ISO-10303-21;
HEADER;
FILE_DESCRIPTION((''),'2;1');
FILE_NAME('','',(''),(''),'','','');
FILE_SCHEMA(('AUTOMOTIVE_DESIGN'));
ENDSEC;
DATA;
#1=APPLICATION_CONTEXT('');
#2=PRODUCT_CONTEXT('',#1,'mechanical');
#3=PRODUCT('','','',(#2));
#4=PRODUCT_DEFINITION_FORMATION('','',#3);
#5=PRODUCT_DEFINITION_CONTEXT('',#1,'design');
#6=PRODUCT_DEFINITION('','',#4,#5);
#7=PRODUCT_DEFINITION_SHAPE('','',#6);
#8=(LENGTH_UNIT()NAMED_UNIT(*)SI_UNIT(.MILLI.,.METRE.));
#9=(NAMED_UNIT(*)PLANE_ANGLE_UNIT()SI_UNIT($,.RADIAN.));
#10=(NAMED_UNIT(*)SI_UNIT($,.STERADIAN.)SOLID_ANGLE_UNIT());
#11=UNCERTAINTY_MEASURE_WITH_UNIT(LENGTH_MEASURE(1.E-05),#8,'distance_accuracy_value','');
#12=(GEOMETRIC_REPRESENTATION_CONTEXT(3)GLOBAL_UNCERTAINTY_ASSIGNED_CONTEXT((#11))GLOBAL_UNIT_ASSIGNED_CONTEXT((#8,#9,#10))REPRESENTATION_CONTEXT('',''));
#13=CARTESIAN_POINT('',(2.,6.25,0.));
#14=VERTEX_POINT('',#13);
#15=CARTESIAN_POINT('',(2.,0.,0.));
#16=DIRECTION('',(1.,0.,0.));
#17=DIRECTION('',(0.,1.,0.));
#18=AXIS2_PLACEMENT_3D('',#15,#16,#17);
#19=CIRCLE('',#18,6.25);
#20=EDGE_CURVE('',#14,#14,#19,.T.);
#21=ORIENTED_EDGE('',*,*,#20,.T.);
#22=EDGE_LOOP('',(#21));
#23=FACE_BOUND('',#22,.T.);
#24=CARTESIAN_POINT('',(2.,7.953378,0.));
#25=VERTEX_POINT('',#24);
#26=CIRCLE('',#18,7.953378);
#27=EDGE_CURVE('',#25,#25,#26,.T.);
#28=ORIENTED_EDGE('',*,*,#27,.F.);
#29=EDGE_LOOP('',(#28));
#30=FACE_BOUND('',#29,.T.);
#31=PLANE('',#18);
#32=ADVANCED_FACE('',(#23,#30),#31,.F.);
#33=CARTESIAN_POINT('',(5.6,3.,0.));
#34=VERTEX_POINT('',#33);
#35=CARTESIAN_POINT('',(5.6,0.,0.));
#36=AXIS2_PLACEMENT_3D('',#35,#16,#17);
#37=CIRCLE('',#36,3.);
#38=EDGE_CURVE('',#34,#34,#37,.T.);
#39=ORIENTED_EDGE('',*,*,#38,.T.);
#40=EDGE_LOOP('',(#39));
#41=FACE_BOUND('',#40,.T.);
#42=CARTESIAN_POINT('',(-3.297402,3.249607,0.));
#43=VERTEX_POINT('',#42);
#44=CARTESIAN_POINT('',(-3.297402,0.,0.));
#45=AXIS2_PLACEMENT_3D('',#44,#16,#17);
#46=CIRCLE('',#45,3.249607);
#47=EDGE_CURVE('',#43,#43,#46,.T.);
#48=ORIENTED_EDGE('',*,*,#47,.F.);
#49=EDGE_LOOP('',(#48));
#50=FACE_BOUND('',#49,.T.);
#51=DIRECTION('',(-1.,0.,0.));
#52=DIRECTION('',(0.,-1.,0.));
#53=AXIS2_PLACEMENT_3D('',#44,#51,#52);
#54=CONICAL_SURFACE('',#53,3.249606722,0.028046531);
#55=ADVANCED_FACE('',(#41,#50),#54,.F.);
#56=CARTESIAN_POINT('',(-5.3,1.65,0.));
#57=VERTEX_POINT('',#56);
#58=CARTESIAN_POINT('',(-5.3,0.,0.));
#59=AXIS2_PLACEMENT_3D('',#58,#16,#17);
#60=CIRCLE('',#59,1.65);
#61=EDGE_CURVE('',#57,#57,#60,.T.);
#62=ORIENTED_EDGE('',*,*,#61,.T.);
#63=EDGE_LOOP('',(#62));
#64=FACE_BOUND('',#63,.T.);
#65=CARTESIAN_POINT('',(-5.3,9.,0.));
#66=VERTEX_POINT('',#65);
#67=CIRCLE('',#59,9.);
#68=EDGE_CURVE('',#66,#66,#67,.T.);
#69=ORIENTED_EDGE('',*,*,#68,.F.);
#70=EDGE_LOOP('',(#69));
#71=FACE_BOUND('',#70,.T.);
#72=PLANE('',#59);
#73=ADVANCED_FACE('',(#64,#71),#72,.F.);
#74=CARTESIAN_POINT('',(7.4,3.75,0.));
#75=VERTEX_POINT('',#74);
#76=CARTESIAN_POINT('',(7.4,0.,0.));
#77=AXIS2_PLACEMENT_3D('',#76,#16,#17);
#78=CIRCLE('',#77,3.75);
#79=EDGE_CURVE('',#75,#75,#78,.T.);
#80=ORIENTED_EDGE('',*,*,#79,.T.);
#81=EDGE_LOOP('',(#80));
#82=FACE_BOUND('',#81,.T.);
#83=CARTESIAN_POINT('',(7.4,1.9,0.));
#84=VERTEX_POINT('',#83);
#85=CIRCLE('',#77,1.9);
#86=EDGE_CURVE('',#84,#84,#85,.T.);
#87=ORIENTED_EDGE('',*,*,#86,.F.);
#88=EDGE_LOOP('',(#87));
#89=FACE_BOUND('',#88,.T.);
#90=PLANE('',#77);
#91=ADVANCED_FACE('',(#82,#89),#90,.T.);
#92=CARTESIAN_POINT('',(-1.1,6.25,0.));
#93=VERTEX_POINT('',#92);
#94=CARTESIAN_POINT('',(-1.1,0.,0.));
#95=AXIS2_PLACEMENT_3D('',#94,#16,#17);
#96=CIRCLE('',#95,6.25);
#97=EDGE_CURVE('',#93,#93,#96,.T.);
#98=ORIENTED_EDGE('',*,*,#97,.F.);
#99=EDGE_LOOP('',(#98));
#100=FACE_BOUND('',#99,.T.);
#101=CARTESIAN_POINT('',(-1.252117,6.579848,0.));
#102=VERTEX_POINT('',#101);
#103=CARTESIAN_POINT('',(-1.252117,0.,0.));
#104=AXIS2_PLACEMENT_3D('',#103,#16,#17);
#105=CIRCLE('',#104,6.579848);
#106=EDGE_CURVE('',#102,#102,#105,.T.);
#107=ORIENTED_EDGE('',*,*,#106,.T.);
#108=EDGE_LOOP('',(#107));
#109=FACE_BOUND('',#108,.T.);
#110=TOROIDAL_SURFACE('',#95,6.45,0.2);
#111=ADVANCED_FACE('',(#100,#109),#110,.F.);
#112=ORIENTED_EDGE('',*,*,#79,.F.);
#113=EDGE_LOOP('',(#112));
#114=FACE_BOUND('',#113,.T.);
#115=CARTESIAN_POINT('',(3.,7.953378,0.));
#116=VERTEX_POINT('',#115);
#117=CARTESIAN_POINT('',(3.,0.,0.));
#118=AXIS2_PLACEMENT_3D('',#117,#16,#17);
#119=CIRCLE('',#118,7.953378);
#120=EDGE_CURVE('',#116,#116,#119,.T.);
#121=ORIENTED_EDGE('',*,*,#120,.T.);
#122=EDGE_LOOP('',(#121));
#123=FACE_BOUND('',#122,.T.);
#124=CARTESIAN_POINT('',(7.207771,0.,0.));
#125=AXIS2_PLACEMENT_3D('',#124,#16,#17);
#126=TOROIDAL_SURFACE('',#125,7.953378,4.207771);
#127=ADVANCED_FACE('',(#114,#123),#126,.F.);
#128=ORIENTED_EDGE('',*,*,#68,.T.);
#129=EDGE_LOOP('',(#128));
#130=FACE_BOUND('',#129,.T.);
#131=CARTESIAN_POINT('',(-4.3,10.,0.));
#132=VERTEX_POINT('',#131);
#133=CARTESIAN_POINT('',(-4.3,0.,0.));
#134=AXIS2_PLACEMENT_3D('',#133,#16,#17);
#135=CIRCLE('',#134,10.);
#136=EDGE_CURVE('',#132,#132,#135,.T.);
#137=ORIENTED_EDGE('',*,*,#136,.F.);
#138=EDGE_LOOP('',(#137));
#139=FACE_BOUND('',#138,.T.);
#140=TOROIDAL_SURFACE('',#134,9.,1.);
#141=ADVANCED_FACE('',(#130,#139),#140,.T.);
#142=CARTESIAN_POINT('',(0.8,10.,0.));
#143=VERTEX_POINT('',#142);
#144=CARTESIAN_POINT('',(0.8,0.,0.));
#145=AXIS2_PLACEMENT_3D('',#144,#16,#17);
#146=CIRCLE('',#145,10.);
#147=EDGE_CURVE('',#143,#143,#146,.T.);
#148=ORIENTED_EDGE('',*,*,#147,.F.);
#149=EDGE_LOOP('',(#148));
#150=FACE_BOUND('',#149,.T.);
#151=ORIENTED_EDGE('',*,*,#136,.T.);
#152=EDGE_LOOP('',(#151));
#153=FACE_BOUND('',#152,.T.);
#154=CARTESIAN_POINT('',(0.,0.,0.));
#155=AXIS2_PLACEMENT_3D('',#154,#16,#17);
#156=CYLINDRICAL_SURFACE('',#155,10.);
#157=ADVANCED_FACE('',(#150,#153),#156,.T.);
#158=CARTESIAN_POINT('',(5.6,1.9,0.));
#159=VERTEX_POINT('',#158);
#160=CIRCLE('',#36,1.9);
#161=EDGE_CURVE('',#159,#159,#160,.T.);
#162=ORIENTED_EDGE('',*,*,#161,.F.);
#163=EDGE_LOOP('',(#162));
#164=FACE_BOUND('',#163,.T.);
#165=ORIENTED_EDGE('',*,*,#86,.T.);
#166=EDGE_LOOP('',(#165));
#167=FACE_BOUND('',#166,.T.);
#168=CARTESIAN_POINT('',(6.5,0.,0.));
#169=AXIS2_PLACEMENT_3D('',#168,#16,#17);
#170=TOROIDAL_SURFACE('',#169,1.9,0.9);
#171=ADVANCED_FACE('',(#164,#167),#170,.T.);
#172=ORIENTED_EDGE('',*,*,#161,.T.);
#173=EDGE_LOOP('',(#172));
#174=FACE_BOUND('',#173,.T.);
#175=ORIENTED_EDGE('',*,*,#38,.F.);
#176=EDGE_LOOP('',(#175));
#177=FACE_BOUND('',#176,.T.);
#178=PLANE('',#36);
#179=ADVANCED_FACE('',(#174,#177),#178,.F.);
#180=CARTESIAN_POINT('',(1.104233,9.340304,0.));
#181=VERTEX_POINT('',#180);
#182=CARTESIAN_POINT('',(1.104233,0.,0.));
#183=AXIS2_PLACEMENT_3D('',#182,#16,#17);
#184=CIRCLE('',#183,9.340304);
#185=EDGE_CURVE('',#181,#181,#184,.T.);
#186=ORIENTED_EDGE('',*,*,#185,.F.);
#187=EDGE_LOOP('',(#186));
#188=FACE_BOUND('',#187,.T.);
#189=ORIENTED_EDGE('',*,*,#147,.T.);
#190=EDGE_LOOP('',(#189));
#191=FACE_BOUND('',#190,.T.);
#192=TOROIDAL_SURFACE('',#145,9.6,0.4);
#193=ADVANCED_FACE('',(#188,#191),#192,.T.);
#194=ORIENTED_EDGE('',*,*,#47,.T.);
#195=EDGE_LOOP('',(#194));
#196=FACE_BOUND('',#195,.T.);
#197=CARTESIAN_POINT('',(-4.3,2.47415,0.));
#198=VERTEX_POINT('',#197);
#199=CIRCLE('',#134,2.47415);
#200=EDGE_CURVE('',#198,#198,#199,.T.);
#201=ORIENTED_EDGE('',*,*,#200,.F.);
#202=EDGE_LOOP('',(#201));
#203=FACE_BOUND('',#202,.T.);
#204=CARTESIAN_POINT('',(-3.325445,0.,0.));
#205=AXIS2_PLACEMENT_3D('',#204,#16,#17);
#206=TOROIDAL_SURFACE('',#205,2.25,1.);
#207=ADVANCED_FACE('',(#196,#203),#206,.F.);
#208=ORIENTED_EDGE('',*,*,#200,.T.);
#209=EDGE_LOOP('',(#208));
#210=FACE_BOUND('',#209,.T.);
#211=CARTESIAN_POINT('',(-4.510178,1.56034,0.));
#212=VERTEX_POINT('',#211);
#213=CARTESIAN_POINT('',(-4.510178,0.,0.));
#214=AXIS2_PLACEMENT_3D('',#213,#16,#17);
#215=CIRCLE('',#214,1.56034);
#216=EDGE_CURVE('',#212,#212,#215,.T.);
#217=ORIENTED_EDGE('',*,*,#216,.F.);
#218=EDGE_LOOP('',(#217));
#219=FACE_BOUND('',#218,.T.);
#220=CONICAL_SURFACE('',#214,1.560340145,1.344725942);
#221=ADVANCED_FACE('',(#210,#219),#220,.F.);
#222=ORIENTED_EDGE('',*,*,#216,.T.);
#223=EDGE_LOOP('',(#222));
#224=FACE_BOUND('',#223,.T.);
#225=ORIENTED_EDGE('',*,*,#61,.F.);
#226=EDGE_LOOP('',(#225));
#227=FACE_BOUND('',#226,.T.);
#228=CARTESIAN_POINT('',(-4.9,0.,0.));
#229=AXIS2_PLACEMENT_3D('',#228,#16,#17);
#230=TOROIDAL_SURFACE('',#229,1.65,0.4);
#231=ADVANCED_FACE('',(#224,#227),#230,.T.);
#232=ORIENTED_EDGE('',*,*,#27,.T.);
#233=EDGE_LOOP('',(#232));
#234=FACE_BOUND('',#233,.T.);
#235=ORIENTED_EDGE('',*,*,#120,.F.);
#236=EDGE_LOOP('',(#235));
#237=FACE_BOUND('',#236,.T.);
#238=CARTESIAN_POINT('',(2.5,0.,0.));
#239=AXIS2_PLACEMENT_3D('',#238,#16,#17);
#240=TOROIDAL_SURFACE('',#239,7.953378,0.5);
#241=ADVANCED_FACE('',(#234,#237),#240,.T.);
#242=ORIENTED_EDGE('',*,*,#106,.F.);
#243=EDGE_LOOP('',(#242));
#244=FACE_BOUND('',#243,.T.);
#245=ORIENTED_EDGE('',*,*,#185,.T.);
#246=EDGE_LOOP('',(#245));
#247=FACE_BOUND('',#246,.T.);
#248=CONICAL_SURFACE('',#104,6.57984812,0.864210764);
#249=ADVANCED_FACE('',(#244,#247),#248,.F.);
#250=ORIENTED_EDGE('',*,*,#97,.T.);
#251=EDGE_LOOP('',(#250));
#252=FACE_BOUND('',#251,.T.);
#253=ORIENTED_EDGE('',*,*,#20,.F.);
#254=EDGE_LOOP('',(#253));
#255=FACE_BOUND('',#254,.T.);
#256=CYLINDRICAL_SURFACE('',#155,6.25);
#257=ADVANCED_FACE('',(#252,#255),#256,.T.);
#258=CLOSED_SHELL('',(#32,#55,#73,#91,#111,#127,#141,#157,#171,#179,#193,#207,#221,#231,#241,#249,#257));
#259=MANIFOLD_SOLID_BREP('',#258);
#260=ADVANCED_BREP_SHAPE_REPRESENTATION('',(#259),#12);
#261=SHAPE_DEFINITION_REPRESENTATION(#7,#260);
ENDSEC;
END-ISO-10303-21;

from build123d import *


with BuildPart() as part:
    # ｽｹｯﾁ1 → 回転1 (revolve)
    with BuildSketch(Plane.XY):
        with BuildLine():
            Line((-5.3, 9), (-5.3, 1.65))
            ThreePointArc((-5.3, 1.65), (-4.945117855, 1.252552671), (-4.510178104, 1.560340145))
            Line((-4.510178104, 1.560340145), (-4.3, 2.474149638))
            ThreePointArc((-4.3, 2.474149638), (-3.937249649, 3.041009097), (-3.297402407, 3.249606722))
            Line((-3.297402407, 3.249606722), (5.6, 3))
            Line((5.6, 3), (5.6, 1.9))
            ThreePointArc((5.6, 1.9), (6.5, 1), (7.4, 1.9))
            Line((7.4, 1.9), (7.4, 3.75))
            ThreePointArc((7.4, 3.75), (4.301185279, 4.910830075), (3, 7.953377693))
            ThreePointArc((3, 7.953377693), (2.5, 8.453377693), (2, 7.953377693))
            Line((2, 7.953377693), (2, 6.25))
            Line((2, 6.25), (-1.1, 6.25))
            ThreePointArc((-1.1, 6.25), (-1.257471318, 6.326700429), (-1.294161459, 6.497972159))
            Line((-1.294161459, 6.497972159), (-0.428903044, 10))
            Line((-0.428903044, 10), (-4.3, 10))
            ThreePointArc((-4.3, 10), (-5.007106781, 9.707106781), (-5.3, 9))
        make_face()
    revolve(axis=Axis((0, 0, 0), (-1, 0, 0)))

    # ｽｹｯﾁ1<4> → 回転3 (revolve)
    with BuildSketch(Plane.XY):
        with BuildLine():
            Line((0.8, 10), (-0.428903044, 10))
            Line((-0.428903044, 10), (-1.294161459, 6.497972159))
            ThreePointArc((-1.294161459, 6.497972159), (-1.277913027, 6.541361671), (-1.252116619, 6.57984812))
            Line((-1.252116619, 6.57984812), (1.104233238, 9.340303761))
            ThreePointArc((1.104233238, 9.340303761), (1.163234425, 9.767513439), (0.8, 10))
        make_face()
    revolve(axis=Axis((0, 0, 0), (-1, 0, 0)))


solid = part.part
